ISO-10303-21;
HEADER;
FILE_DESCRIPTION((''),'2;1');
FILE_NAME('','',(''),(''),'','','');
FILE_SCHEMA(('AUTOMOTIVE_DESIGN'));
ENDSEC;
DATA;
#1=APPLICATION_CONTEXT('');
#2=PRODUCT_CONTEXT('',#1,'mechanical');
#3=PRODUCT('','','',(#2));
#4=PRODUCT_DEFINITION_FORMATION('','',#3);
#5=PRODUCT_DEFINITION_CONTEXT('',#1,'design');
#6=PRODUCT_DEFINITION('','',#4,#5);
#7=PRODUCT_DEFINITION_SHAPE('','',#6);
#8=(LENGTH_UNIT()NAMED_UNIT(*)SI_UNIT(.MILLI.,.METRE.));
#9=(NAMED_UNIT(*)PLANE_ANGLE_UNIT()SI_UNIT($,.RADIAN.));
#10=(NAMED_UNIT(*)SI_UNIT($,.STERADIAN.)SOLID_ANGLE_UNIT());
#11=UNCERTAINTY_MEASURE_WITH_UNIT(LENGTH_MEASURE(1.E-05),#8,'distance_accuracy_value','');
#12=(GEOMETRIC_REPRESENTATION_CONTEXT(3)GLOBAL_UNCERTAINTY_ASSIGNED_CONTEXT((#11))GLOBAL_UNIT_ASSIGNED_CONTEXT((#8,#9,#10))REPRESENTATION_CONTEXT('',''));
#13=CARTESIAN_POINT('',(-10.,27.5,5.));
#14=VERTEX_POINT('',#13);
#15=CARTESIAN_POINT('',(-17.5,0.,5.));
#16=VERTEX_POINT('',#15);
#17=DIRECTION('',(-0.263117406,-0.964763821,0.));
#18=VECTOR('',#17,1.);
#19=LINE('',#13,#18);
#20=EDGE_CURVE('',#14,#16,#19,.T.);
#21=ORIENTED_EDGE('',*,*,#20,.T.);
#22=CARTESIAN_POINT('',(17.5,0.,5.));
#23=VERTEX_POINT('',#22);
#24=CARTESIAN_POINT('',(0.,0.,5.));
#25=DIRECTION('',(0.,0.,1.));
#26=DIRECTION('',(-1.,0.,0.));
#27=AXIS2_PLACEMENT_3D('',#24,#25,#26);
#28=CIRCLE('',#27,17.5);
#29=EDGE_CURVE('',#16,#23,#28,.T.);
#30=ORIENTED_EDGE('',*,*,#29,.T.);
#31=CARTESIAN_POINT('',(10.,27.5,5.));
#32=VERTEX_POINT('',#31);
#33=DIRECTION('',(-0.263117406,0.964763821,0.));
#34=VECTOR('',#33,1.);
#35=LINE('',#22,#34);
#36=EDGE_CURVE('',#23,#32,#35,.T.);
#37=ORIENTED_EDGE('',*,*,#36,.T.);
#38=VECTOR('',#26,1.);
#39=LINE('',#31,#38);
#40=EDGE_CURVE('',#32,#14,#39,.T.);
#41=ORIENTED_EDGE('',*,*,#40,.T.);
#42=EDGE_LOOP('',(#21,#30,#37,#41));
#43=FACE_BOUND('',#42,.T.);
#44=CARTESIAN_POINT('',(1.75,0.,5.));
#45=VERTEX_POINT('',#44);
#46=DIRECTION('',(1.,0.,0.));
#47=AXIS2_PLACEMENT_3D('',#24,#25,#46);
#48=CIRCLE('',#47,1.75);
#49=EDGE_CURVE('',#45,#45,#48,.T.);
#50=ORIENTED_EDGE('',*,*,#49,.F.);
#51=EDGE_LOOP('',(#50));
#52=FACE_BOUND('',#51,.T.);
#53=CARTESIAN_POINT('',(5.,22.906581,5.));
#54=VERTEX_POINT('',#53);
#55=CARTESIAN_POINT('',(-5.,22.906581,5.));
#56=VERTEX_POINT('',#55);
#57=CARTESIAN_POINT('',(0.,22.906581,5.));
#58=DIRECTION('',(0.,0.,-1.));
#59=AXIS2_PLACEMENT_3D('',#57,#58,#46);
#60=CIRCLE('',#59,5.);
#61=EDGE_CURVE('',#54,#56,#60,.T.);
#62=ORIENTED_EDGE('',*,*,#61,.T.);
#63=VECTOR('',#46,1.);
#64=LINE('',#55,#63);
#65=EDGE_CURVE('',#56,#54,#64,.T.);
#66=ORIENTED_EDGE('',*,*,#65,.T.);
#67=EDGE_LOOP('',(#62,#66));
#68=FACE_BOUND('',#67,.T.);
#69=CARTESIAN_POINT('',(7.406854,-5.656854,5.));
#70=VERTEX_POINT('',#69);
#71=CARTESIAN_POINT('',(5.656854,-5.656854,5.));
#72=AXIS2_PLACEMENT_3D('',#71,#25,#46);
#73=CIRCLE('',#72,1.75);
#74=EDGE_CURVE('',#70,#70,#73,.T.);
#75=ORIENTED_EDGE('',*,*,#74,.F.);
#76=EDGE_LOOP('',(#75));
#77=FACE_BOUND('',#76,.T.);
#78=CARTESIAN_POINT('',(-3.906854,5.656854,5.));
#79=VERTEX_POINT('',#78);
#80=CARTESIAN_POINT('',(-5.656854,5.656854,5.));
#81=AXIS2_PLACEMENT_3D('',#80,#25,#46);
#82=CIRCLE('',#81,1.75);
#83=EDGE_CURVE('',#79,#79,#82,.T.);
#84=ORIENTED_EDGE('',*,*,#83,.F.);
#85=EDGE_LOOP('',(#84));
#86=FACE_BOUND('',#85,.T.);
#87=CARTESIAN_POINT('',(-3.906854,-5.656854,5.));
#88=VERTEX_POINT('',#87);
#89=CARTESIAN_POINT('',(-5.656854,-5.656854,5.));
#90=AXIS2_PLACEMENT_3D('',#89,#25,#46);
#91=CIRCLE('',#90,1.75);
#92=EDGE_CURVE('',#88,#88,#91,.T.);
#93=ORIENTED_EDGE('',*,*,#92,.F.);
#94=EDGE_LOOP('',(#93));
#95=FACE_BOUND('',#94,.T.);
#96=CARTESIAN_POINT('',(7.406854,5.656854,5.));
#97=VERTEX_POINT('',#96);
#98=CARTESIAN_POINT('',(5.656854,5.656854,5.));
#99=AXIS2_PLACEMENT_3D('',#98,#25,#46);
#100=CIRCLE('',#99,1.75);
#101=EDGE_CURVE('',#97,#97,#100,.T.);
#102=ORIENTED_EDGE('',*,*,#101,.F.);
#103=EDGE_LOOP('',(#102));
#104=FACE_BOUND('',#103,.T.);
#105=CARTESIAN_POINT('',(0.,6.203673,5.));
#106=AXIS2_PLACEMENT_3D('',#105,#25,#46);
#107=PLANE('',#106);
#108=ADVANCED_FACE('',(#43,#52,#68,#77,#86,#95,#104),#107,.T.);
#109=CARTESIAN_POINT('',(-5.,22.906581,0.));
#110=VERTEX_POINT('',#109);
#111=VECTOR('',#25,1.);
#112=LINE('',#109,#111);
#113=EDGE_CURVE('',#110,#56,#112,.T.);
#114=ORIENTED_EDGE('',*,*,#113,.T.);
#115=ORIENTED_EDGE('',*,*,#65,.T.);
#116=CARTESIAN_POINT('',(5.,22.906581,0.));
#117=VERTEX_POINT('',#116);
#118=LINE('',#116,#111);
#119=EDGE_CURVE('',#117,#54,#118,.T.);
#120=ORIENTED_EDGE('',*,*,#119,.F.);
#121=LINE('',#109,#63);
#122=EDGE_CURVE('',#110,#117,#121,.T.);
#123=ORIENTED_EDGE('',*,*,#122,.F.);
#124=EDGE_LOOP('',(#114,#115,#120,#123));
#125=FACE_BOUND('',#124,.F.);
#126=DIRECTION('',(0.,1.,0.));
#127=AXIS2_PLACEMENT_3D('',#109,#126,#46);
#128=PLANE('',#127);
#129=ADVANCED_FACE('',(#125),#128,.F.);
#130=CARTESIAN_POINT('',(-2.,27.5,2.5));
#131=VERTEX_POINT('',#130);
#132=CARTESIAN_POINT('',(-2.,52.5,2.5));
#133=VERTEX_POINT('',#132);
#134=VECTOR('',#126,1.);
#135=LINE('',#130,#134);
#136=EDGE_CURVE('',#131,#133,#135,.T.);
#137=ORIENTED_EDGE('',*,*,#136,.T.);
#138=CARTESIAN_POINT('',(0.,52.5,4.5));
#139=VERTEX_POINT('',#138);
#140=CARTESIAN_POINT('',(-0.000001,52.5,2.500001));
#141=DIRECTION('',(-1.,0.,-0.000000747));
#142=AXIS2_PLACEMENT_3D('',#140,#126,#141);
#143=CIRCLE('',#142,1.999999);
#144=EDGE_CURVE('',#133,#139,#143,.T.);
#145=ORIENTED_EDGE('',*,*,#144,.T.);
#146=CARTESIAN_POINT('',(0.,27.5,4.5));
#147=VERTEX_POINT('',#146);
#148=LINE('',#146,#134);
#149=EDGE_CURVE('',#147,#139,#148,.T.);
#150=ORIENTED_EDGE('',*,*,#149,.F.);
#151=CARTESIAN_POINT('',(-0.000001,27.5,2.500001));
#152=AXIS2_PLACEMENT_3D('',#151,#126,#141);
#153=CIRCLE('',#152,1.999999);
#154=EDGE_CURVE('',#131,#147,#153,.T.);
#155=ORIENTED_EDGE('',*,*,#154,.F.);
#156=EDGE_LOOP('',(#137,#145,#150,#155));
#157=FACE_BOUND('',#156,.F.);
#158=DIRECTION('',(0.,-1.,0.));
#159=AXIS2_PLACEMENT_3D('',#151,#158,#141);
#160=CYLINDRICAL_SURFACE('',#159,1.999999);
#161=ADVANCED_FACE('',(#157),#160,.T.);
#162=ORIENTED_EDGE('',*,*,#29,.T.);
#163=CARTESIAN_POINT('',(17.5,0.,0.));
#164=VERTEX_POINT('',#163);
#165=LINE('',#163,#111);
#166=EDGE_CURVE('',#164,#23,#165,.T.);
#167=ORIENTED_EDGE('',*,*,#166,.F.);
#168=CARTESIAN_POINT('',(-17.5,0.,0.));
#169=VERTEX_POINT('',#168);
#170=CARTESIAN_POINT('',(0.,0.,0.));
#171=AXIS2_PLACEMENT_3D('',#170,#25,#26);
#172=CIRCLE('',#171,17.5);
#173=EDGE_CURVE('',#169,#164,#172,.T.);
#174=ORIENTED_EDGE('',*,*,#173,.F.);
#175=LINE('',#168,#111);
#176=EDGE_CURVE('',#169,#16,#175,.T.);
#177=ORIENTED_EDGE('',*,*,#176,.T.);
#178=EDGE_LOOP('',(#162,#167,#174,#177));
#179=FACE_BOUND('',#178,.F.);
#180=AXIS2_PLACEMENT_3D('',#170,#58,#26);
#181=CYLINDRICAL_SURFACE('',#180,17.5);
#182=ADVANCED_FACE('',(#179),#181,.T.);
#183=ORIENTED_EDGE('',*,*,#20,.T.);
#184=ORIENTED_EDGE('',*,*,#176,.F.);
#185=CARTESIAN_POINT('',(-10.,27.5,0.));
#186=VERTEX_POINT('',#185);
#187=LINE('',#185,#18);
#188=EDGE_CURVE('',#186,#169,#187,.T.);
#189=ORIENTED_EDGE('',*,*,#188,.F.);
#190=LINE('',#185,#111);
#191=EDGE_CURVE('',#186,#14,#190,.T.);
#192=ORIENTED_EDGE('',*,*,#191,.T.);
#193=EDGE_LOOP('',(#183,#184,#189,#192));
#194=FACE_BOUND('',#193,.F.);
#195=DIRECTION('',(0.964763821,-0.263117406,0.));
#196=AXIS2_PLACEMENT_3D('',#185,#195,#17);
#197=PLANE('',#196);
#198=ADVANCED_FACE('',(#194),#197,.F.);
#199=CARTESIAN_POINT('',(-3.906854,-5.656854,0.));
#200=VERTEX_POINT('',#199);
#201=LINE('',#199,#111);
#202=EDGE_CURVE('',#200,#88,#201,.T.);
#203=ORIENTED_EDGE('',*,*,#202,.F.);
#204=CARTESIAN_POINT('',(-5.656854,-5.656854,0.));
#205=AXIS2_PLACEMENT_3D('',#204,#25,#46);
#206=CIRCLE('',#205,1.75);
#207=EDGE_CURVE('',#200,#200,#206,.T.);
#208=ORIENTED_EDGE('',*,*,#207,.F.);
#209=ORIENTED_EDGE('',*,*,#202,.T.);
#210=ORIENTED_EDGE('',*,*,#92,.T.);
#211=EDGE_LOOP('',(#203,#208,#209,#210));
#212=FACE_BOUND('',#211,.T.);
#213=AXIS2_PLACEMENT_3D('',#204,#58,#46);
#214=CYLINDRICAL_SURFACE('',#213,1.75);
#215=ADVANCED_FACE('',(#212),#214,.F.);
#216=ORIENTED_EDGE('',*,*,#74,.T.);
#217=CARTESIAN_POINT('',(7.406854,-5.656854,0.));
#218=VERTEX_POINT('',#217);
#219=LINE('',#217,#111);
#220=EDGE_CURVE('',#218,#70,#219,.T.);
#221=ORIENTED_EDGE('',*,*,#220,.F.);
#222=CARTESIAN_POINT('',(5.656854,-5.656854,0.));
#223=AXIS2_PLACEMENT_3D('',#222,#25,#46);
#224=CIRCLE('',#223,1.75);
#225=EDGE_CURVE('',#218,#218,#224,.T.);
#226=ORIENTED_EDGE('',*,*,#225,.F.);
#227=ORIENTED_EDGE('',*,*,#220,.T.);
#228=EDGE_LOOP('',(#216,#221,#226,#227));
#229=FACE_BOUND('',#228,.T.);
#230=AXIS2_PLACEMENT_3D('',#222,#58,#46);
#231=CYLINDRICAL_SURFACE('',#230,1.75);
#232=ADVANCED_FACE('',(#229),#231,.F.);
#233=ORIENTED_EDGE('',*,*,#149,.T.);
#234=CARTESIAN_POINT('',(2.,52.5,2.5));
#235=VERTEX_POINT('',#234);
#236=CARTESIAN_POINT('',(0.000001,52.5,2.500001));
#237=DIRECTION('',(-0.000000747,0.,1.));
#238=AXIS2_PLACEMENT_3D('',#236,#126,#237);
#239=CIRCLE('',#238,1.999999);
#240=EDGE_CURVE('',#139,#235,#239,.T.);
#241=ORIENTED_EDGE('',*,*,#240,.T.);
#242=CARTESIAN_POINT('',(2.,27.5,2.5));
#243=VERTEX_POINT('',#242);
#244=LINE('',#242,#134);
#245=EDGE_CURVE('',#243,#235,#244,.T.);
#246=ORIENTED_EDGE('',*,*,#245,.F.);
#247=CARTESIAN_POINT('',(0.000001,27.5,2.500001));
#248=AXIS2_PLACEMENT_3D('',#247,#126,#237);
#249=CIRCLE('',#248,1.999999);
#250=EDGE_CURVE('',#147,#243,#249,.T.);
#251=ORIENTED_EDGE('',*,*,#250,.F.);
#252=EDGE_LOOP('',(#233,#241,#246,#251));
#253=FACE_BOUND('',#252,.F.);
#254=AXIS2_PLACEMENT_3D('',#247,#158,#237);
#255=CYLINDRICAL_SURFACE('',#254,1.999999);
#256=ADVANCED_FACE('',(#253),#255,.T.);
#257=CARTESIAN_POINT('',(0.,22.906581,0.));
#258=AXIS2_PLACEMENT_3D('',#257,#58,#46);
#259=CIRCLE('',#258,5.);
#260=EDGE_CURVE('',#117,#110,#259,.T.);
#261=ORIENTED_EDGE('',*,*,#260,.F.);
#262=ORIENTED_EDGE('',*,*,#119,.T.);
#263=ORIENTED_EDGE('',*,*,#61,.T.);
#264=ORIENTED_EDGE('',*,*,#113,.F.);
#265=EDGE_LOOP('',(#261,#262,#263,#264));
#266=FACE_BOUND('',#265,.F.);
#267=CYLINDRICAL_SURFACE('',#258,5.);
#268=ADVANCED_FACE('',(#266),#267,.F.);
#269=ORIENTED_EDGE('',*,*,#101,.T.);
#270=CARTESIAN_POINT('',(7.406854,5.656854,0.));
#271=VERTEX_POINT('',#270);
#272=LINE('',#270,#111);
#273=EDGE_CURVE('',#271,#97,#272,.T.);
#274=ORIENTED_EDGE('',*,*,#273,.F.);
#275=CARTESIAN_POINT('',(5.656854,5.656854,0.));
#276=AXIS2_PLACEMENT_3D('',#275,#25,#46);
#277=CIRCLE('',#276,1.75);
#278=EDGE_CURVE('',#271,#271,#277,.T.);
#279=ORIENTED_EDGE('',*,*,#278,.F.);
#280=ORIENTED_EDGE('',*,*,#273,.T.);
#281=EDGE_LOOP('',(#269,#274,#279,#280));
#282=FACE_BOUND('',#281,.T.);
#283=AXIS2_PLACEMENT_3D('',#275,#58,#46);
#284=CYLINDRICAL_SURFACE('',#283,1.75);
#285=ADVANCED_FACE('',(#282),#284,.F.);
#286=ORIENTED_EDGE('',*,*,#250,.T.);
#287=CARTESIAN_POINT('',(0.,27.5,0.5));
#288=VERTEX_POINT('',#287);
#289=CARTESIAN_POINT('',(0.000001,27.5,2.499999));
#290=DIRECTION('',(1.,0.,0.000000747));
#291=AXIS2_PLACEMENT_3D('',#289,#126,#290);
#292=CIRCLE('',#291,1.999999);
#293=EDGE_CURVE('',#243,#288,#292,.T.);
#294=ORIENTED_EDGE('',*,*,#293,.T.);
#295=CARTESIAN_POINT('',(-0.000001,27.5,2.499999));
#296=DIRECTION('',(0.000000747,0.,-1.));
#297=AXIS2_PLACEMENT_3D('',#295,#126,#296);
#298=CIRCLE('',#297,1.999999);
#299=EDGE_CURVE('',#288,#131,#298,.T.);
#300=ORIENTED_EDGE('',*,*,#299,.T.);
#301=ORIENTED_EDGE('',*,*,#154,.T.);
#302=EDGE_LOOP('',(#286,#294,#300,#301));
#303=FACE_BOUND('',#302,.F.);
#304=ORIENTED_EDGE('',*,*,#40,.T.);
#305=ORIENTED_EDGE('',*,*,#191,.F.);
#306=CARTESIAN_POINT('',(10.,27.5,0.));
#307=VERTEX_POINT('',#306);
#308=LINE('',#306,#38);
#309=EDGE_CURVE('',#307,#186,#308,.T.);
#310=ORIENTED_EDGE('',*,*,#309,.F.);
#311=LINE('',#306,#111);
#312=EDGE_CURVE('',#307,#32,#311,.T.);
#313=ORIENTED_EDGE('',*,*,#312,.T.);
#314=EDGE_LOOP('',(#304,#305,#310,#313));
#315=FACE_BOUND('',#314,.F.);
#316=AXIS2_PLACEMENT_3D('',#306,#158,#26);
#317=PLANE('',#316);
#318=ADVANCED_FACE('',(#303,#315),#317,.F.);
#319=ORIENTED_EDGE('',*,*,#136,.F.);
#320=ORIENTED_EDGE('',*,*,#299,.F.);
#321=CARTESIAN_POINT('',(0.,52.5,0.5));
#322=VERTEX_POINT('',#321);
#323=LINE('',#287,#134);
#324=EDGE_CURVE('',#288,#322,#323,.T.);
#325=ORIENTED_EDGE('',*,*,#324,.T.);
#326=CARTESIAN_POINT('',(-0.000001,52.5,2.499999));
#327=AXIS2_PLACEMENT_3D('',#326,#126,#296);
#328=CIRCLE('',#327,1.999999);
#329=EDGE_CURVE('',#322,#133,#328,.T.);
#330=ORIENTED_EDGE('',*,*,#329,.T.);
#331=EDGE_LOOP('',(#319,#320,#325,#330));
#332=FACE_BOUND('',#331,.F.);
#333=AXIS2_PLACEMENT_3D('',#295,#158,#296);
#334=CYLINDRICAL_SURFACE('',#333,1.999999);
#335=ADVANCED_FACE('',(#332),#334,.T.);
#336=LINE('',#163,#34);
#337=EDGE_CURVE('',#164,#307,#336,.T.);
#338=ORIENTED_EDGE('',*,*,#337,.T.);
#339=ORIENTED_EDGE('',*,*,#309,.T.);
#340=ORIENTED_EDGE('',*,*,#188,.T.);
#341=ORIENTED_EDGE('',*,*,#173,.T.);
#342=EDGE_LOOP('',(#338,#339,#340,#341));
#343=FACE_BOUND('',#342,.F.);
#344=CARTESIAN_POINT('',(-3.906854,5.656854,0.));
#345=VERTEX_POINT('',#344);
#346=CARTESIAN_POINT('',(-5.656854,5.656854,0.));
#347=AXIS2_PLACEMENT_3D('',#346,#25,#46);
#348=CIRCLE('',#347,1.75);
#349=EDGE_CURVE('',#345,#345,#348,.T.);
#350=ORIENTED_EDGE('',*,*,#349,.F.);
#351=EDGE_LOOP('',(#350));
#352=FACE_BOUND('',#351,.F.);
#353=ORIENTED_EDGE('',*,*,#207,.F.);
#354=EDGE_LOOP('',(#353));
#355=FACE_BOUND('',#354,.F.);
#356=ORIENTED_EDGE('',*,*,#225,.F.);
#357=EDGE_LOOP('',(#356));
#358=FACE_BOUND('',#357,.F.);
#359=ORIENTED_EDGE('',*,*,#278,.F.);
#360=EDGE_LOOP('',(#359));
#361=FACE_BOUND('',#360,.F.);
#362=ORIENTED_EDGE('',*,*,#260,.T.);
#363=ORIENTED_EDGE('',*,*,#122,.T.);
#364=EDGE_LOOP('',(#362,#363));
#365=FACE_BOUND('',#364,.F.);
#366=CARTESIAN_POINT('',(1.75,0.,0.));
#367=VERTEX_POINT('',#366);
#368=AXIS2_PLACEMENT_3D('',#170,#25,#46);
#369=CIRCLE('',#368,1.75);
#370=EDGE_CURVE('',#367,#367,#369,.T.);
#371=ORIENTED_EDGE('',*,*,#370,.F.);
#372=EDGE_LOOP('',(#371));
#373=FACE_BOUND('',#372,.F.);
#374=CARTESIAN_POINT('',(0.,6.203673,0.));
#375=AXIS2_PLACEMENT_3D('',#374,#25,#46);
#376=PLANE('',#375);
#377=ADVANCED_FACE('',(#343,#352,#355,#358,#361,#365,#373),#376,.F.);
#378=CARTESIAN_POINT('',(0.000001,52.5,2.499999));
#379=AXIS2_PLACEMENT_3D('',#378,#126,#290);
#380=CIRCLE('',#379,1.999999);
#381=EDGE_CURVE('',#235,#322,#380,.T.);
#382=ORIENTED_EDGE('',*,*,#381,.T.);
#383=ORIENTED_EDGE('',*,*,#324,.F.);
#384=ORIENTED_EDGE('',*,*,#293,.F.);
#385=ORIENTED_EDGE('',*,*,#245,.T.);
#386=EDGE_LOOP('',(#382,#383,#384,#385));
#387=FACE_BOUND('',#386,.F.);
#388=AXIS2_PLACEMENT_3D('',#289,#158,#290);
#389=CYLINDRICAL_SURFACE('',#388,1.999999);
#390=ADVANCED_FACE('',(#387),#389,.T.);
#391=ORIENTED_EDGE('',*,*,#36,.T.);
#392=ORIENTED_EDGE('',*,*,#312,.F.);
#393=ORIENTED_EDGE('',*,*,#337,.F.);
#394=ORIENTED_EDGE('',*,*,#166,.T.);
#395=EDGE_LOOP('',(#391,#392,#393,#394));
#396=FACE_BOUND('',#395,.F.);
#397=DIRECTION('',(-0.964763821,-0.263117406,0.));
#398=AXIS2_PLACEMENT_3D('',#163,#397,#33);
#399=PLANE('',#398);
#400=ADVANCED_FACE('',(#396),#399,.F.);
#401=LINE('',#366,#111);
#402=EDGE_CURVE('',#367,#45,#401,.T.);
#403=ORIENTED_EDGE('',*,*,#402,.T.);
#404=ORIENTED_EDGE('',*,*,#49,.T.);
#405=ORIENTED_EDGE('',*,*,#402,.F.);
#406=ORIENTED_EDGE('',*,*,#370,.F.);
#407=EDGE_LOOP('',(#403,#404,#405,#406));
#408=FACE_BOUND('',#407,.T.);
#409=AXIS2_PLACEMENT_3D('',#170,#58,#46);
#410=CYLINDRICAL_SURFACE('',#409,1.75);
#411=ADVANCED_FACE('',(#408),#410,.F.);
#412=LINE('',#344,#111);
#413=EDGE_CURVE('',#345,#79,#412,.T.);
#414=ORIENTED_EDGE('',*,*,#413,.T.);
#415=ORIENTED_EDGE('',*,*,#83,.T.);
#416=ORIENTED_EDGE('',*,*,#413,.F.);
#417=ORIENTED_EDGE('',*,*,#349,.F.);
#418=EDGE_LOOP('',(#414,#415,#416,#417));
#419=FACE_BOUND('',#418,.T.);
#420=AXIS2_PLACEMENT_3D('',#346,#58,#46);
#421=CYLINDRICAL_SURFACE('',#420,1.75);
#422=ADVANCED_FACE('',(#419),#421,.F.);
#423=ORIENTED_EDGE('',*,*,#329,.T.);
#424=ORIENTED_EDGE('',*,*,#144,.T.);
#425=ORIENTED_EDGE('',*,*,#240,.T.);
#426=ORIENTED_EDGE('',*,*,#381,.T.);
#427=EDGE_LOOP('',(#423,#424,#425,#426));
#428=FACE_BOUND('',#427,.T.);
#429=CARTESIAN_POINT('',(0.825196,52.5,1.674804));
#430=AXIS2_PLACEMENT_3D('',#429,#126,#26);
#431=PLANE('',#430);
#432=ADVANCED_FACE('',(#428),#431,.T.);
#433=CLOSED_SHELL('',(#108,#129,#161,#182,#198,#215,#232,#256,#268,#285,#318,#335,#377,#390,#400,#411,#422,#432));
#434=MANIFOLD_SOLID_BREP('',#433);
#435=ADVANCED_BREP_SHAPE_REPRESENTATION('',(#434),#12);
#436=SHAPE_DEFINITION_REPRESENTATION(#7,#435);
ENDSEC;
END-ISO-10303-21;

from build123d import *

# Parameters (mm, degrees)
F0_R     = 1.75
F1_DEPTH = 5
F3_DEPTH = 25


with BuildPart() as f1:
    # F0 (on Top) → F1 (new body)
    with BuildSketch(Plane.XY):
        with BuildLine():
            Line((-10, 27.5), (-17.5, 0))
            ThreePointArc((-17.5, 0), (0, -17.5), (17.5, 0))
            Line((17.5, 0), (10, 27.5))
            Line((10, 27.5), (0, 27.5))
            Line((0, 27.5), (-10, 27.5))
        make_face()
        with Locations((-5.656854, -5.656854)):
            Circle(F0_R, mode=Mode.SUBTRACT)
        with Locations((5.656854, -5.656854)):
            Circle(F0_R, mode=Mode.SUBTRACT)
        Circle(F0_R, mode=Mode.SUBTRACT)
        with Locations((-5.656854, 5.656854)):
            Circle(F0_R, mode=Mode.SUBTRACT)
        with Locations((5.656854, 5.656854)):
            Circle(F0_R, mode=Mode.SUBTRACT)
        with BuildLine():
            Line((-5, 22.906581), (0, 22.906581))
            Line((0, 22.906581), (5, 22.906581))
            ThreePointArc((5, 22.906581), (0, 17.906581), (-5, 22.906581))
        make_face(mode=Mode.SUBTRACT)
    extrude(amount=F1_DEPTH)

    # F2 (on face) → F3 (join)
    with BuildSketch(Plane(origin=(0, 27.5, 0), x_dir=(-1, 0, 0), z_dir=(0, 1, 0))):
        with BuildLine():
            ThreePointArc((-2, 2.5), (-1.414214, 1.085786), (0, 0.5))
            Line((0, 0.5), (0, 2.5))
            Line((0, 2.5), (-2, 2.5))
        make_face()
        with BuildLine():
            Line((0, 2.5), (0, 0.5))
            ThreePointArc((0, 0.5), (1.414214, 1.085786), (2, 2.5))
            Line((2, 2.5), (0, 2.5))
        make_face()
        with BuildLine():
            Line((-2, 2.5), (0, 2.5))
            Line((0, 2.5), (0, 4.5))
            ThreePointArc((0, 4.5), (-1.414214, 3.914214), (-2, 2.5))
        make_face()
        with BuildLine():
            Line((0, 4.5), (0, 2.5))
            Line((0, 2.5), (2, 2.5))
            ThreePointArc((2, 2.5), (1.414214, 3.914214), (0, 4.5))
        make_face()
    extrude(amount=F3_DEPTH)


solid = f1.part
